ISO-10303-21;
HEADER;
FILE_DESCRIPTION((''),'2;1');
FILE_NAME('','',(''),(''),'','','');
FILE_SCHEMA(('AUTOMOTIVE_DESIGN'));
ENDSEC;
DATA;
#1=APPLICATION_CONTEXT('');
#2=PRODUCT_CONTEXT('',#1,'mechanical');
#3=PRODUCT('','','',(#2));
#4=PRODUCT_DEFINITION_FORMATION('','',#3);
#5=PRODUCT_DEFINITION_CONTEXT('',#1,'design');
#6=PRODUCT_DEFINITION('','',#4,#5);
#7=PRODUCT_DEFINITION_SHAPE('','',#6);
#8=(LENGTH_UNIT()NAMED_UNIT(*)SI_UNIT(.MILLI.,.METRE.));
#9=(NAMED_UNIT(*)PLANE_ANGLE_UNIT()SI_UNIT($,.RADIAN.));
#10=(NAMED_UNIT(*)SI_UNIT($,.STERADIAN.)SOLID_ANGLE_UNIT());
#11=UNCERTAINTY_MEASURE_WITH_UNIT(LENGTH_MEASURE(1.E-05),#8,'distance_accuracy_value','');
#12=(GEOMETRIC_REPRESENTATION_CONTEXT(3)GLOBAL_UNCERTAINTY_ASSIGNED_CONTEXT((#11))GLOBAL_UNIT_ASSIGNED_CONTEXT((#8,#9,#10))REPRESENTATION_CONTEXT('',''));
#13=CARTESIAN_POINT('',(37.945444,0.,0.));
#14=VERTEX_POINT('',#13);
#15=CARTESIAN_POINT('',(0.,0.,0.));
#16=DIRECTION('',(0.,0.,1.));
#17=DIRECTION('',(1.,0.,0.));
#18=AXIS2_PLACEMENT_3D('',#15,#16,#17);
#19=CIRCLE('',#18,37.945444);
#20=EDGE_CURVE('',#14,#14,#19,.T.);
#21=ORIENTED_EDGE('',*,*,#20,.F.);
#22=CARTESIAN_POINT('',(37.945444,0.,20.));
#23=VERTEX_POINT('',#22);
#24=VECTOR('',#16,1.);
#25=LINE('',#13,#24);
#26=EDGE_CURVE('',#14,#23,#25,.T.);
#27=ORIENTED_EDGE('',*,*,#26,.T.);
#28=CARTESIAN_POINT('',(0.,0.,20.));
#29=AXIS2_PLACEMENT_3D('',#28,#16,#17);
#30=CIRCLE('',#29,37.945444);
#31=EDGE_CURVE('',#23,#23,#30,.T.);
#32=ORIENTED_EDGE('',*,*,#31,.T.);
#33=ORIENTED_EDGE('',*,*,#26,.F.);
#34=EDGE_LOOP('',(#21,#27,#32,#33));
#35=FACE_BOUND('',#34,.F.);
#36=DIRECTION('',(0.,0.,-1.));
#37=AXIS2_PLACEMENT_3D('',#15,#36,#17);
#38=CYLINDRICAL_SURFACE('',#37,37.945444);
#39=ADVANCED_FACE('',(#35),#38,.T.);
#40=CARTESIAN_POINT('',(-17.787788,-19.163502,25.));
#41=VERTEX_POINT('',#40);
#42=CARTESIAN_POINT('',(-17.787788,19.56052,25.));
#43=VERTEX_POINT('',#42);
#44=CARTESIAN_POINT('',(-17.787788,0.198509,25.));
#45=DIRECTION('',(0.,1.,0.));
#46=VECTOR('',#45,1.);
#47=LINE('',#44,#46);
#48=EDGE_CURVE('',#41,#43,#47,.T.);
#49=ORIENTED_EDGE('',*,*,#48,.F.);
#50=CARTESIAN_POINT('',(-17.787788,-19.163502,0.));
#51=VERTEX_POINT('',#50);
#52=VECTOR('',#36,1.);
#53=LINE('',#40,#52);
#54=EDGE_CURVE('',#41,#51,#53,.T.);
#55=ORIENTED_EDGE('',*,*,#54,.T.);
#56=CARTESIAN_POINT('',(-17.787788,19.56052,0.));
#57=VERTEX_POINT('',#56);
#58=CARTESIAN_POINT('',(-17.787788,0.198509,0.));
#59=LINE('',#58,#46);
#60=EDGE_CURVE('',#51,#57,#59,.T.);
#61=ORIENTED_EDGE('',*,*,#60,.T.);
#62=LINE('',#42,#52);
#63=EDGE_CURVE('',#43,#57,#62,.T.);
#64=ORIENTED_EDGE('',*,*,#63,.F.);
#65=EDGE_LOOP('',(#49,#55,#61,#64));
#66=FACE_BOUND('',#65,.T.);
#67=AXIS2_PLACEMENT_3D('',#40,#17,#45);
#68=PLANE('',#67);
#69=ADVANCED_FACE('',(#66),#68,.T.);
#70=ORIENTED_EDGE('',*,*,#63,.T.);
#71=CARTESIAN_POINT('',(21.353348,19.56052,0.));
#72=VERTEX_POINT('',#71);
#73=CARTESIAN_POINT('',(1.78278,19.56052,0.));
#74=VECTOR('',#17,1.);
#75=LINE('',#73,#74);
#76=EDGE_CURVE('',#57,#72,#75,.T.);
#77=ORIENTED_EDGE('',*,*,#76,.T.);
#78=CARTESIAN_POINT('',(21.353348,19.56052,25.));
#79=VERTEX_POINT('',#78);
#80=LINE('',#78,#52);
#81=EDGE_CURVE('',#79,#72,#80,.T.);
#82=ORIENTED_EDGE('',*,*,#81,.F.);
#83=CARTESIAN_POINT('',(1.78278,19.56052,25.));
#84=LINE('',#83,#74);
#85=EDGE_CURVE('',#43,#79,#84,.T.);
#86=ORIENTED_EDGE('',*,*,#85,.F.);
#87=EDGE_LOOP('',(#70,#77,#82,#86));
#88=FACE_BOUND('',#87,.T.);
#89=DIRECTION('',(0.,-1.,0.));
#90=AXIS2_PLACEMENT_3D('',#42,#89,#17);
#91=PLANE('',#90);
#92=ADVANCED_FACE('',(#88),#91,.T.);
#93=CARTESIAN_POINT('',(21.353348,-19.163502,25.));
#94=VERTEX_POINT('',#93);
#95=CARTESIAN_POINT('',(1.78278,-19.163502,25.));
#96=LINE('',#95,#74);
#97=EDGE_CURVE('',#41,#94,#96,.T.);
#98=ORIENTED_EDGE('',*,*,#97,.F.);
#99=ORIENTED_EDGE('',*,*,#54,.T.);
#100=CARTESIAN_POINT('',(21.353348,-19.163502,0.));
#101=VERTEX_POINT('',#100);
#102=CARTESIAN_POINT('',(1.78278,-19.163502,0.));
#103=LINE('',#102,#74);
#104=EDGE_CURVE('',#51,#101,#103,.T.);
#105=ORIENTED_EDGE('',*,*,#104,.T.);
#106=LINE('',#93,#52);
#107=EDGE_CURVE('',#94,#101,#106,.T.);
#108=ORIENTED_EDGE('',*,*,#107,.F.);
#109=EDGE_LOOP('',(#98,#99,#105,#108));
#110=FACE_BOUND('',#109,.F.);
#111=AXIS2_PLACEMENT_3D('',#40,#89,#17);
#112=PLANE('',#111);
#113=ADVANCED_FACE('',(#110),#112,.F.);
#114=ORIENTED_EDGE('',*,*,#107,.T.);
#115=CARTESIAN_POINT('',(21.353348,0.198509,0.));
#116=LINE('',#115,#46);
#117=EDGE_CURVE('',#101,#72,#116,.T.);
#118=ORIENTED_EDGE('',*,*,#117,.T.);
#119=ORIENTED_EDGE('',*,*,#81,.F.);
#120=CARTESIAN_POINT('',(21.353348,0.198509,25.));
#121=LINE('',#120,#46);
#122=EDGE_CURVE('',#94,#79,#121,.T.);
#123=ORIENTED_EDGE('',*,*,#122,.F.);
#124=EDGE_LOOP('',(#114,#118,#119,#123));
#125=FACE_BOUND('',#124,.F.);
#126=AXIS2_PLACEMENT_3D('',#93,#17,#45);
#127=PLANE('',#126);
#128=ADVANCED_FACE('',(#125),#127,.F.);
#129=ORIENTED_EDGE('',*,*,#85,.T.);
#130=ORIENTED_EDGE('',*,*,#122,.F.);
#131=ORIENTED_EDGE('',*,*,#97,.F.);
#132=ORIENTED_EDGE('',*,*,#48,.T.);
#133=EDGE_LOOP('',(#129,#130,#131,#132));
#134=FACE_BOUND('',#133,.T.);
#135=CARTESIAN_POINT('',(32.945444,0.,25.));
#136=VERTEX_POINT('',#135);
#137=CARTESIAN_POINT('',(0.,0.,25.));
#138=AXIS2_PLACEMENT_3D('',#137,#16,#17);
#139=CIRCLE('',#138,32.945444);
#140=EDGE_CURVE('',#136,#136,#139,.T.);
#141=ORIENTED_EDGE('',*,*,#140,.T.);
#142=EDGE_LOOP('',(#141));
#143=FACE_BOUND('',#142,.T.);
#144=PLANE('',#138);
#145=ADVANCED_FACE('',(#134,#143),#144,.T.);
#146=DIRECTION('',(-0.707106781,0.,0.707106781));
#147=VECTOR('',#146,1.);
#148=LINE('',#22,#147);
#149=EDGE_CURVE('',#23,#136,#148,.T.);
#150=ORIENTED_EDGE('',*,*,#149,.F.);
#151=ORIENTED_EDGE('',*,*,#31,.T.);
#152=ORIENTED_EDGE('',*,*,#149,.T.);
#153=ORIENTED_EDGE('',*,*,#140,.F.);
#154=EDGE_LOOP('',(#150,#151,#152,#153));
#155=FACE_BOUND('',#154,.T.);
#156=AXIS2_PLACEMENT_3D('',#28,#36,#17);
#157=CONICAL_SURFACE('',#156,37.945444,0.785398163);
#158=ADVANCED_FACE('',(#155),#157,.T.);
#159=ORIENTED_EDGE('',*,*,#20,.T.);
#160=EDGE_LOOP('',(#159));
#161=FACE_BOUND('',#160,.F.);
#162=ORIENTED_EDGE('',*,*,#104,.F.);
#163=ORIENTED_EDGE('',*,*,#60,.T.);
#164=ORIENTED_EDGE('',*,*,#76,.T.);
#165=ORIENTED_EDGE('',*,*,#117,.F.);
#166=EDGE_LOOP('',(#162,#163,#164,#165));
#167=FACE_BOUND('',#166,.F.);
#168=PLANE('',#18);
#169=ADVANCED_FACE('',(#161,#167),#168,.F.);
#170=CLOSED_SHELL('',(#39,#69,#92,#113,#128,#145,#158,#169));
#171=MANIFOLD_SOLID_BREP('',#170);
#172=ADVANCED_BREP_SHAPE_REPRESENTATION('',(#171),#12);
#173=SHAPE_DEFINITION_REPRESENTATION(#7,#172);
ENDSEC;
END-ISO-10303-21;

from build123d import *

# Parameters (mm, degrees)
F0_R     = 37.945444
F1_DEPTH = 25
F2_W     = 39.141135
F2_H     = 38.724022
F3_DEPTH = 25
F4_SIZE  = 5


with BuildPart() as f1:
    # F0 (on Top) → F1 (new body)
    with BuildSketch(Plane.XY):
        Circle(F0_R)
    extrude(amount=F1_DEPTH)

    # F2 (on face) → F3 (cut)
    with BuildSketch(Plane.XY.offset(25)):
        with Locations((1.78278, 0.198509)):
            Rectangle(F2_W, F2_H)
    extrude(amount=-F3_DEPTH, mode=Mode.SUBTRACT)

    # F4
    f4_edges = [f1.edges().sort_by_distance(p)[0] for p in [
        (-37.945444, 0, 25),
    ]]
    chamfer(f4_edges, length=F4_SIZE)


solid = f1.part
